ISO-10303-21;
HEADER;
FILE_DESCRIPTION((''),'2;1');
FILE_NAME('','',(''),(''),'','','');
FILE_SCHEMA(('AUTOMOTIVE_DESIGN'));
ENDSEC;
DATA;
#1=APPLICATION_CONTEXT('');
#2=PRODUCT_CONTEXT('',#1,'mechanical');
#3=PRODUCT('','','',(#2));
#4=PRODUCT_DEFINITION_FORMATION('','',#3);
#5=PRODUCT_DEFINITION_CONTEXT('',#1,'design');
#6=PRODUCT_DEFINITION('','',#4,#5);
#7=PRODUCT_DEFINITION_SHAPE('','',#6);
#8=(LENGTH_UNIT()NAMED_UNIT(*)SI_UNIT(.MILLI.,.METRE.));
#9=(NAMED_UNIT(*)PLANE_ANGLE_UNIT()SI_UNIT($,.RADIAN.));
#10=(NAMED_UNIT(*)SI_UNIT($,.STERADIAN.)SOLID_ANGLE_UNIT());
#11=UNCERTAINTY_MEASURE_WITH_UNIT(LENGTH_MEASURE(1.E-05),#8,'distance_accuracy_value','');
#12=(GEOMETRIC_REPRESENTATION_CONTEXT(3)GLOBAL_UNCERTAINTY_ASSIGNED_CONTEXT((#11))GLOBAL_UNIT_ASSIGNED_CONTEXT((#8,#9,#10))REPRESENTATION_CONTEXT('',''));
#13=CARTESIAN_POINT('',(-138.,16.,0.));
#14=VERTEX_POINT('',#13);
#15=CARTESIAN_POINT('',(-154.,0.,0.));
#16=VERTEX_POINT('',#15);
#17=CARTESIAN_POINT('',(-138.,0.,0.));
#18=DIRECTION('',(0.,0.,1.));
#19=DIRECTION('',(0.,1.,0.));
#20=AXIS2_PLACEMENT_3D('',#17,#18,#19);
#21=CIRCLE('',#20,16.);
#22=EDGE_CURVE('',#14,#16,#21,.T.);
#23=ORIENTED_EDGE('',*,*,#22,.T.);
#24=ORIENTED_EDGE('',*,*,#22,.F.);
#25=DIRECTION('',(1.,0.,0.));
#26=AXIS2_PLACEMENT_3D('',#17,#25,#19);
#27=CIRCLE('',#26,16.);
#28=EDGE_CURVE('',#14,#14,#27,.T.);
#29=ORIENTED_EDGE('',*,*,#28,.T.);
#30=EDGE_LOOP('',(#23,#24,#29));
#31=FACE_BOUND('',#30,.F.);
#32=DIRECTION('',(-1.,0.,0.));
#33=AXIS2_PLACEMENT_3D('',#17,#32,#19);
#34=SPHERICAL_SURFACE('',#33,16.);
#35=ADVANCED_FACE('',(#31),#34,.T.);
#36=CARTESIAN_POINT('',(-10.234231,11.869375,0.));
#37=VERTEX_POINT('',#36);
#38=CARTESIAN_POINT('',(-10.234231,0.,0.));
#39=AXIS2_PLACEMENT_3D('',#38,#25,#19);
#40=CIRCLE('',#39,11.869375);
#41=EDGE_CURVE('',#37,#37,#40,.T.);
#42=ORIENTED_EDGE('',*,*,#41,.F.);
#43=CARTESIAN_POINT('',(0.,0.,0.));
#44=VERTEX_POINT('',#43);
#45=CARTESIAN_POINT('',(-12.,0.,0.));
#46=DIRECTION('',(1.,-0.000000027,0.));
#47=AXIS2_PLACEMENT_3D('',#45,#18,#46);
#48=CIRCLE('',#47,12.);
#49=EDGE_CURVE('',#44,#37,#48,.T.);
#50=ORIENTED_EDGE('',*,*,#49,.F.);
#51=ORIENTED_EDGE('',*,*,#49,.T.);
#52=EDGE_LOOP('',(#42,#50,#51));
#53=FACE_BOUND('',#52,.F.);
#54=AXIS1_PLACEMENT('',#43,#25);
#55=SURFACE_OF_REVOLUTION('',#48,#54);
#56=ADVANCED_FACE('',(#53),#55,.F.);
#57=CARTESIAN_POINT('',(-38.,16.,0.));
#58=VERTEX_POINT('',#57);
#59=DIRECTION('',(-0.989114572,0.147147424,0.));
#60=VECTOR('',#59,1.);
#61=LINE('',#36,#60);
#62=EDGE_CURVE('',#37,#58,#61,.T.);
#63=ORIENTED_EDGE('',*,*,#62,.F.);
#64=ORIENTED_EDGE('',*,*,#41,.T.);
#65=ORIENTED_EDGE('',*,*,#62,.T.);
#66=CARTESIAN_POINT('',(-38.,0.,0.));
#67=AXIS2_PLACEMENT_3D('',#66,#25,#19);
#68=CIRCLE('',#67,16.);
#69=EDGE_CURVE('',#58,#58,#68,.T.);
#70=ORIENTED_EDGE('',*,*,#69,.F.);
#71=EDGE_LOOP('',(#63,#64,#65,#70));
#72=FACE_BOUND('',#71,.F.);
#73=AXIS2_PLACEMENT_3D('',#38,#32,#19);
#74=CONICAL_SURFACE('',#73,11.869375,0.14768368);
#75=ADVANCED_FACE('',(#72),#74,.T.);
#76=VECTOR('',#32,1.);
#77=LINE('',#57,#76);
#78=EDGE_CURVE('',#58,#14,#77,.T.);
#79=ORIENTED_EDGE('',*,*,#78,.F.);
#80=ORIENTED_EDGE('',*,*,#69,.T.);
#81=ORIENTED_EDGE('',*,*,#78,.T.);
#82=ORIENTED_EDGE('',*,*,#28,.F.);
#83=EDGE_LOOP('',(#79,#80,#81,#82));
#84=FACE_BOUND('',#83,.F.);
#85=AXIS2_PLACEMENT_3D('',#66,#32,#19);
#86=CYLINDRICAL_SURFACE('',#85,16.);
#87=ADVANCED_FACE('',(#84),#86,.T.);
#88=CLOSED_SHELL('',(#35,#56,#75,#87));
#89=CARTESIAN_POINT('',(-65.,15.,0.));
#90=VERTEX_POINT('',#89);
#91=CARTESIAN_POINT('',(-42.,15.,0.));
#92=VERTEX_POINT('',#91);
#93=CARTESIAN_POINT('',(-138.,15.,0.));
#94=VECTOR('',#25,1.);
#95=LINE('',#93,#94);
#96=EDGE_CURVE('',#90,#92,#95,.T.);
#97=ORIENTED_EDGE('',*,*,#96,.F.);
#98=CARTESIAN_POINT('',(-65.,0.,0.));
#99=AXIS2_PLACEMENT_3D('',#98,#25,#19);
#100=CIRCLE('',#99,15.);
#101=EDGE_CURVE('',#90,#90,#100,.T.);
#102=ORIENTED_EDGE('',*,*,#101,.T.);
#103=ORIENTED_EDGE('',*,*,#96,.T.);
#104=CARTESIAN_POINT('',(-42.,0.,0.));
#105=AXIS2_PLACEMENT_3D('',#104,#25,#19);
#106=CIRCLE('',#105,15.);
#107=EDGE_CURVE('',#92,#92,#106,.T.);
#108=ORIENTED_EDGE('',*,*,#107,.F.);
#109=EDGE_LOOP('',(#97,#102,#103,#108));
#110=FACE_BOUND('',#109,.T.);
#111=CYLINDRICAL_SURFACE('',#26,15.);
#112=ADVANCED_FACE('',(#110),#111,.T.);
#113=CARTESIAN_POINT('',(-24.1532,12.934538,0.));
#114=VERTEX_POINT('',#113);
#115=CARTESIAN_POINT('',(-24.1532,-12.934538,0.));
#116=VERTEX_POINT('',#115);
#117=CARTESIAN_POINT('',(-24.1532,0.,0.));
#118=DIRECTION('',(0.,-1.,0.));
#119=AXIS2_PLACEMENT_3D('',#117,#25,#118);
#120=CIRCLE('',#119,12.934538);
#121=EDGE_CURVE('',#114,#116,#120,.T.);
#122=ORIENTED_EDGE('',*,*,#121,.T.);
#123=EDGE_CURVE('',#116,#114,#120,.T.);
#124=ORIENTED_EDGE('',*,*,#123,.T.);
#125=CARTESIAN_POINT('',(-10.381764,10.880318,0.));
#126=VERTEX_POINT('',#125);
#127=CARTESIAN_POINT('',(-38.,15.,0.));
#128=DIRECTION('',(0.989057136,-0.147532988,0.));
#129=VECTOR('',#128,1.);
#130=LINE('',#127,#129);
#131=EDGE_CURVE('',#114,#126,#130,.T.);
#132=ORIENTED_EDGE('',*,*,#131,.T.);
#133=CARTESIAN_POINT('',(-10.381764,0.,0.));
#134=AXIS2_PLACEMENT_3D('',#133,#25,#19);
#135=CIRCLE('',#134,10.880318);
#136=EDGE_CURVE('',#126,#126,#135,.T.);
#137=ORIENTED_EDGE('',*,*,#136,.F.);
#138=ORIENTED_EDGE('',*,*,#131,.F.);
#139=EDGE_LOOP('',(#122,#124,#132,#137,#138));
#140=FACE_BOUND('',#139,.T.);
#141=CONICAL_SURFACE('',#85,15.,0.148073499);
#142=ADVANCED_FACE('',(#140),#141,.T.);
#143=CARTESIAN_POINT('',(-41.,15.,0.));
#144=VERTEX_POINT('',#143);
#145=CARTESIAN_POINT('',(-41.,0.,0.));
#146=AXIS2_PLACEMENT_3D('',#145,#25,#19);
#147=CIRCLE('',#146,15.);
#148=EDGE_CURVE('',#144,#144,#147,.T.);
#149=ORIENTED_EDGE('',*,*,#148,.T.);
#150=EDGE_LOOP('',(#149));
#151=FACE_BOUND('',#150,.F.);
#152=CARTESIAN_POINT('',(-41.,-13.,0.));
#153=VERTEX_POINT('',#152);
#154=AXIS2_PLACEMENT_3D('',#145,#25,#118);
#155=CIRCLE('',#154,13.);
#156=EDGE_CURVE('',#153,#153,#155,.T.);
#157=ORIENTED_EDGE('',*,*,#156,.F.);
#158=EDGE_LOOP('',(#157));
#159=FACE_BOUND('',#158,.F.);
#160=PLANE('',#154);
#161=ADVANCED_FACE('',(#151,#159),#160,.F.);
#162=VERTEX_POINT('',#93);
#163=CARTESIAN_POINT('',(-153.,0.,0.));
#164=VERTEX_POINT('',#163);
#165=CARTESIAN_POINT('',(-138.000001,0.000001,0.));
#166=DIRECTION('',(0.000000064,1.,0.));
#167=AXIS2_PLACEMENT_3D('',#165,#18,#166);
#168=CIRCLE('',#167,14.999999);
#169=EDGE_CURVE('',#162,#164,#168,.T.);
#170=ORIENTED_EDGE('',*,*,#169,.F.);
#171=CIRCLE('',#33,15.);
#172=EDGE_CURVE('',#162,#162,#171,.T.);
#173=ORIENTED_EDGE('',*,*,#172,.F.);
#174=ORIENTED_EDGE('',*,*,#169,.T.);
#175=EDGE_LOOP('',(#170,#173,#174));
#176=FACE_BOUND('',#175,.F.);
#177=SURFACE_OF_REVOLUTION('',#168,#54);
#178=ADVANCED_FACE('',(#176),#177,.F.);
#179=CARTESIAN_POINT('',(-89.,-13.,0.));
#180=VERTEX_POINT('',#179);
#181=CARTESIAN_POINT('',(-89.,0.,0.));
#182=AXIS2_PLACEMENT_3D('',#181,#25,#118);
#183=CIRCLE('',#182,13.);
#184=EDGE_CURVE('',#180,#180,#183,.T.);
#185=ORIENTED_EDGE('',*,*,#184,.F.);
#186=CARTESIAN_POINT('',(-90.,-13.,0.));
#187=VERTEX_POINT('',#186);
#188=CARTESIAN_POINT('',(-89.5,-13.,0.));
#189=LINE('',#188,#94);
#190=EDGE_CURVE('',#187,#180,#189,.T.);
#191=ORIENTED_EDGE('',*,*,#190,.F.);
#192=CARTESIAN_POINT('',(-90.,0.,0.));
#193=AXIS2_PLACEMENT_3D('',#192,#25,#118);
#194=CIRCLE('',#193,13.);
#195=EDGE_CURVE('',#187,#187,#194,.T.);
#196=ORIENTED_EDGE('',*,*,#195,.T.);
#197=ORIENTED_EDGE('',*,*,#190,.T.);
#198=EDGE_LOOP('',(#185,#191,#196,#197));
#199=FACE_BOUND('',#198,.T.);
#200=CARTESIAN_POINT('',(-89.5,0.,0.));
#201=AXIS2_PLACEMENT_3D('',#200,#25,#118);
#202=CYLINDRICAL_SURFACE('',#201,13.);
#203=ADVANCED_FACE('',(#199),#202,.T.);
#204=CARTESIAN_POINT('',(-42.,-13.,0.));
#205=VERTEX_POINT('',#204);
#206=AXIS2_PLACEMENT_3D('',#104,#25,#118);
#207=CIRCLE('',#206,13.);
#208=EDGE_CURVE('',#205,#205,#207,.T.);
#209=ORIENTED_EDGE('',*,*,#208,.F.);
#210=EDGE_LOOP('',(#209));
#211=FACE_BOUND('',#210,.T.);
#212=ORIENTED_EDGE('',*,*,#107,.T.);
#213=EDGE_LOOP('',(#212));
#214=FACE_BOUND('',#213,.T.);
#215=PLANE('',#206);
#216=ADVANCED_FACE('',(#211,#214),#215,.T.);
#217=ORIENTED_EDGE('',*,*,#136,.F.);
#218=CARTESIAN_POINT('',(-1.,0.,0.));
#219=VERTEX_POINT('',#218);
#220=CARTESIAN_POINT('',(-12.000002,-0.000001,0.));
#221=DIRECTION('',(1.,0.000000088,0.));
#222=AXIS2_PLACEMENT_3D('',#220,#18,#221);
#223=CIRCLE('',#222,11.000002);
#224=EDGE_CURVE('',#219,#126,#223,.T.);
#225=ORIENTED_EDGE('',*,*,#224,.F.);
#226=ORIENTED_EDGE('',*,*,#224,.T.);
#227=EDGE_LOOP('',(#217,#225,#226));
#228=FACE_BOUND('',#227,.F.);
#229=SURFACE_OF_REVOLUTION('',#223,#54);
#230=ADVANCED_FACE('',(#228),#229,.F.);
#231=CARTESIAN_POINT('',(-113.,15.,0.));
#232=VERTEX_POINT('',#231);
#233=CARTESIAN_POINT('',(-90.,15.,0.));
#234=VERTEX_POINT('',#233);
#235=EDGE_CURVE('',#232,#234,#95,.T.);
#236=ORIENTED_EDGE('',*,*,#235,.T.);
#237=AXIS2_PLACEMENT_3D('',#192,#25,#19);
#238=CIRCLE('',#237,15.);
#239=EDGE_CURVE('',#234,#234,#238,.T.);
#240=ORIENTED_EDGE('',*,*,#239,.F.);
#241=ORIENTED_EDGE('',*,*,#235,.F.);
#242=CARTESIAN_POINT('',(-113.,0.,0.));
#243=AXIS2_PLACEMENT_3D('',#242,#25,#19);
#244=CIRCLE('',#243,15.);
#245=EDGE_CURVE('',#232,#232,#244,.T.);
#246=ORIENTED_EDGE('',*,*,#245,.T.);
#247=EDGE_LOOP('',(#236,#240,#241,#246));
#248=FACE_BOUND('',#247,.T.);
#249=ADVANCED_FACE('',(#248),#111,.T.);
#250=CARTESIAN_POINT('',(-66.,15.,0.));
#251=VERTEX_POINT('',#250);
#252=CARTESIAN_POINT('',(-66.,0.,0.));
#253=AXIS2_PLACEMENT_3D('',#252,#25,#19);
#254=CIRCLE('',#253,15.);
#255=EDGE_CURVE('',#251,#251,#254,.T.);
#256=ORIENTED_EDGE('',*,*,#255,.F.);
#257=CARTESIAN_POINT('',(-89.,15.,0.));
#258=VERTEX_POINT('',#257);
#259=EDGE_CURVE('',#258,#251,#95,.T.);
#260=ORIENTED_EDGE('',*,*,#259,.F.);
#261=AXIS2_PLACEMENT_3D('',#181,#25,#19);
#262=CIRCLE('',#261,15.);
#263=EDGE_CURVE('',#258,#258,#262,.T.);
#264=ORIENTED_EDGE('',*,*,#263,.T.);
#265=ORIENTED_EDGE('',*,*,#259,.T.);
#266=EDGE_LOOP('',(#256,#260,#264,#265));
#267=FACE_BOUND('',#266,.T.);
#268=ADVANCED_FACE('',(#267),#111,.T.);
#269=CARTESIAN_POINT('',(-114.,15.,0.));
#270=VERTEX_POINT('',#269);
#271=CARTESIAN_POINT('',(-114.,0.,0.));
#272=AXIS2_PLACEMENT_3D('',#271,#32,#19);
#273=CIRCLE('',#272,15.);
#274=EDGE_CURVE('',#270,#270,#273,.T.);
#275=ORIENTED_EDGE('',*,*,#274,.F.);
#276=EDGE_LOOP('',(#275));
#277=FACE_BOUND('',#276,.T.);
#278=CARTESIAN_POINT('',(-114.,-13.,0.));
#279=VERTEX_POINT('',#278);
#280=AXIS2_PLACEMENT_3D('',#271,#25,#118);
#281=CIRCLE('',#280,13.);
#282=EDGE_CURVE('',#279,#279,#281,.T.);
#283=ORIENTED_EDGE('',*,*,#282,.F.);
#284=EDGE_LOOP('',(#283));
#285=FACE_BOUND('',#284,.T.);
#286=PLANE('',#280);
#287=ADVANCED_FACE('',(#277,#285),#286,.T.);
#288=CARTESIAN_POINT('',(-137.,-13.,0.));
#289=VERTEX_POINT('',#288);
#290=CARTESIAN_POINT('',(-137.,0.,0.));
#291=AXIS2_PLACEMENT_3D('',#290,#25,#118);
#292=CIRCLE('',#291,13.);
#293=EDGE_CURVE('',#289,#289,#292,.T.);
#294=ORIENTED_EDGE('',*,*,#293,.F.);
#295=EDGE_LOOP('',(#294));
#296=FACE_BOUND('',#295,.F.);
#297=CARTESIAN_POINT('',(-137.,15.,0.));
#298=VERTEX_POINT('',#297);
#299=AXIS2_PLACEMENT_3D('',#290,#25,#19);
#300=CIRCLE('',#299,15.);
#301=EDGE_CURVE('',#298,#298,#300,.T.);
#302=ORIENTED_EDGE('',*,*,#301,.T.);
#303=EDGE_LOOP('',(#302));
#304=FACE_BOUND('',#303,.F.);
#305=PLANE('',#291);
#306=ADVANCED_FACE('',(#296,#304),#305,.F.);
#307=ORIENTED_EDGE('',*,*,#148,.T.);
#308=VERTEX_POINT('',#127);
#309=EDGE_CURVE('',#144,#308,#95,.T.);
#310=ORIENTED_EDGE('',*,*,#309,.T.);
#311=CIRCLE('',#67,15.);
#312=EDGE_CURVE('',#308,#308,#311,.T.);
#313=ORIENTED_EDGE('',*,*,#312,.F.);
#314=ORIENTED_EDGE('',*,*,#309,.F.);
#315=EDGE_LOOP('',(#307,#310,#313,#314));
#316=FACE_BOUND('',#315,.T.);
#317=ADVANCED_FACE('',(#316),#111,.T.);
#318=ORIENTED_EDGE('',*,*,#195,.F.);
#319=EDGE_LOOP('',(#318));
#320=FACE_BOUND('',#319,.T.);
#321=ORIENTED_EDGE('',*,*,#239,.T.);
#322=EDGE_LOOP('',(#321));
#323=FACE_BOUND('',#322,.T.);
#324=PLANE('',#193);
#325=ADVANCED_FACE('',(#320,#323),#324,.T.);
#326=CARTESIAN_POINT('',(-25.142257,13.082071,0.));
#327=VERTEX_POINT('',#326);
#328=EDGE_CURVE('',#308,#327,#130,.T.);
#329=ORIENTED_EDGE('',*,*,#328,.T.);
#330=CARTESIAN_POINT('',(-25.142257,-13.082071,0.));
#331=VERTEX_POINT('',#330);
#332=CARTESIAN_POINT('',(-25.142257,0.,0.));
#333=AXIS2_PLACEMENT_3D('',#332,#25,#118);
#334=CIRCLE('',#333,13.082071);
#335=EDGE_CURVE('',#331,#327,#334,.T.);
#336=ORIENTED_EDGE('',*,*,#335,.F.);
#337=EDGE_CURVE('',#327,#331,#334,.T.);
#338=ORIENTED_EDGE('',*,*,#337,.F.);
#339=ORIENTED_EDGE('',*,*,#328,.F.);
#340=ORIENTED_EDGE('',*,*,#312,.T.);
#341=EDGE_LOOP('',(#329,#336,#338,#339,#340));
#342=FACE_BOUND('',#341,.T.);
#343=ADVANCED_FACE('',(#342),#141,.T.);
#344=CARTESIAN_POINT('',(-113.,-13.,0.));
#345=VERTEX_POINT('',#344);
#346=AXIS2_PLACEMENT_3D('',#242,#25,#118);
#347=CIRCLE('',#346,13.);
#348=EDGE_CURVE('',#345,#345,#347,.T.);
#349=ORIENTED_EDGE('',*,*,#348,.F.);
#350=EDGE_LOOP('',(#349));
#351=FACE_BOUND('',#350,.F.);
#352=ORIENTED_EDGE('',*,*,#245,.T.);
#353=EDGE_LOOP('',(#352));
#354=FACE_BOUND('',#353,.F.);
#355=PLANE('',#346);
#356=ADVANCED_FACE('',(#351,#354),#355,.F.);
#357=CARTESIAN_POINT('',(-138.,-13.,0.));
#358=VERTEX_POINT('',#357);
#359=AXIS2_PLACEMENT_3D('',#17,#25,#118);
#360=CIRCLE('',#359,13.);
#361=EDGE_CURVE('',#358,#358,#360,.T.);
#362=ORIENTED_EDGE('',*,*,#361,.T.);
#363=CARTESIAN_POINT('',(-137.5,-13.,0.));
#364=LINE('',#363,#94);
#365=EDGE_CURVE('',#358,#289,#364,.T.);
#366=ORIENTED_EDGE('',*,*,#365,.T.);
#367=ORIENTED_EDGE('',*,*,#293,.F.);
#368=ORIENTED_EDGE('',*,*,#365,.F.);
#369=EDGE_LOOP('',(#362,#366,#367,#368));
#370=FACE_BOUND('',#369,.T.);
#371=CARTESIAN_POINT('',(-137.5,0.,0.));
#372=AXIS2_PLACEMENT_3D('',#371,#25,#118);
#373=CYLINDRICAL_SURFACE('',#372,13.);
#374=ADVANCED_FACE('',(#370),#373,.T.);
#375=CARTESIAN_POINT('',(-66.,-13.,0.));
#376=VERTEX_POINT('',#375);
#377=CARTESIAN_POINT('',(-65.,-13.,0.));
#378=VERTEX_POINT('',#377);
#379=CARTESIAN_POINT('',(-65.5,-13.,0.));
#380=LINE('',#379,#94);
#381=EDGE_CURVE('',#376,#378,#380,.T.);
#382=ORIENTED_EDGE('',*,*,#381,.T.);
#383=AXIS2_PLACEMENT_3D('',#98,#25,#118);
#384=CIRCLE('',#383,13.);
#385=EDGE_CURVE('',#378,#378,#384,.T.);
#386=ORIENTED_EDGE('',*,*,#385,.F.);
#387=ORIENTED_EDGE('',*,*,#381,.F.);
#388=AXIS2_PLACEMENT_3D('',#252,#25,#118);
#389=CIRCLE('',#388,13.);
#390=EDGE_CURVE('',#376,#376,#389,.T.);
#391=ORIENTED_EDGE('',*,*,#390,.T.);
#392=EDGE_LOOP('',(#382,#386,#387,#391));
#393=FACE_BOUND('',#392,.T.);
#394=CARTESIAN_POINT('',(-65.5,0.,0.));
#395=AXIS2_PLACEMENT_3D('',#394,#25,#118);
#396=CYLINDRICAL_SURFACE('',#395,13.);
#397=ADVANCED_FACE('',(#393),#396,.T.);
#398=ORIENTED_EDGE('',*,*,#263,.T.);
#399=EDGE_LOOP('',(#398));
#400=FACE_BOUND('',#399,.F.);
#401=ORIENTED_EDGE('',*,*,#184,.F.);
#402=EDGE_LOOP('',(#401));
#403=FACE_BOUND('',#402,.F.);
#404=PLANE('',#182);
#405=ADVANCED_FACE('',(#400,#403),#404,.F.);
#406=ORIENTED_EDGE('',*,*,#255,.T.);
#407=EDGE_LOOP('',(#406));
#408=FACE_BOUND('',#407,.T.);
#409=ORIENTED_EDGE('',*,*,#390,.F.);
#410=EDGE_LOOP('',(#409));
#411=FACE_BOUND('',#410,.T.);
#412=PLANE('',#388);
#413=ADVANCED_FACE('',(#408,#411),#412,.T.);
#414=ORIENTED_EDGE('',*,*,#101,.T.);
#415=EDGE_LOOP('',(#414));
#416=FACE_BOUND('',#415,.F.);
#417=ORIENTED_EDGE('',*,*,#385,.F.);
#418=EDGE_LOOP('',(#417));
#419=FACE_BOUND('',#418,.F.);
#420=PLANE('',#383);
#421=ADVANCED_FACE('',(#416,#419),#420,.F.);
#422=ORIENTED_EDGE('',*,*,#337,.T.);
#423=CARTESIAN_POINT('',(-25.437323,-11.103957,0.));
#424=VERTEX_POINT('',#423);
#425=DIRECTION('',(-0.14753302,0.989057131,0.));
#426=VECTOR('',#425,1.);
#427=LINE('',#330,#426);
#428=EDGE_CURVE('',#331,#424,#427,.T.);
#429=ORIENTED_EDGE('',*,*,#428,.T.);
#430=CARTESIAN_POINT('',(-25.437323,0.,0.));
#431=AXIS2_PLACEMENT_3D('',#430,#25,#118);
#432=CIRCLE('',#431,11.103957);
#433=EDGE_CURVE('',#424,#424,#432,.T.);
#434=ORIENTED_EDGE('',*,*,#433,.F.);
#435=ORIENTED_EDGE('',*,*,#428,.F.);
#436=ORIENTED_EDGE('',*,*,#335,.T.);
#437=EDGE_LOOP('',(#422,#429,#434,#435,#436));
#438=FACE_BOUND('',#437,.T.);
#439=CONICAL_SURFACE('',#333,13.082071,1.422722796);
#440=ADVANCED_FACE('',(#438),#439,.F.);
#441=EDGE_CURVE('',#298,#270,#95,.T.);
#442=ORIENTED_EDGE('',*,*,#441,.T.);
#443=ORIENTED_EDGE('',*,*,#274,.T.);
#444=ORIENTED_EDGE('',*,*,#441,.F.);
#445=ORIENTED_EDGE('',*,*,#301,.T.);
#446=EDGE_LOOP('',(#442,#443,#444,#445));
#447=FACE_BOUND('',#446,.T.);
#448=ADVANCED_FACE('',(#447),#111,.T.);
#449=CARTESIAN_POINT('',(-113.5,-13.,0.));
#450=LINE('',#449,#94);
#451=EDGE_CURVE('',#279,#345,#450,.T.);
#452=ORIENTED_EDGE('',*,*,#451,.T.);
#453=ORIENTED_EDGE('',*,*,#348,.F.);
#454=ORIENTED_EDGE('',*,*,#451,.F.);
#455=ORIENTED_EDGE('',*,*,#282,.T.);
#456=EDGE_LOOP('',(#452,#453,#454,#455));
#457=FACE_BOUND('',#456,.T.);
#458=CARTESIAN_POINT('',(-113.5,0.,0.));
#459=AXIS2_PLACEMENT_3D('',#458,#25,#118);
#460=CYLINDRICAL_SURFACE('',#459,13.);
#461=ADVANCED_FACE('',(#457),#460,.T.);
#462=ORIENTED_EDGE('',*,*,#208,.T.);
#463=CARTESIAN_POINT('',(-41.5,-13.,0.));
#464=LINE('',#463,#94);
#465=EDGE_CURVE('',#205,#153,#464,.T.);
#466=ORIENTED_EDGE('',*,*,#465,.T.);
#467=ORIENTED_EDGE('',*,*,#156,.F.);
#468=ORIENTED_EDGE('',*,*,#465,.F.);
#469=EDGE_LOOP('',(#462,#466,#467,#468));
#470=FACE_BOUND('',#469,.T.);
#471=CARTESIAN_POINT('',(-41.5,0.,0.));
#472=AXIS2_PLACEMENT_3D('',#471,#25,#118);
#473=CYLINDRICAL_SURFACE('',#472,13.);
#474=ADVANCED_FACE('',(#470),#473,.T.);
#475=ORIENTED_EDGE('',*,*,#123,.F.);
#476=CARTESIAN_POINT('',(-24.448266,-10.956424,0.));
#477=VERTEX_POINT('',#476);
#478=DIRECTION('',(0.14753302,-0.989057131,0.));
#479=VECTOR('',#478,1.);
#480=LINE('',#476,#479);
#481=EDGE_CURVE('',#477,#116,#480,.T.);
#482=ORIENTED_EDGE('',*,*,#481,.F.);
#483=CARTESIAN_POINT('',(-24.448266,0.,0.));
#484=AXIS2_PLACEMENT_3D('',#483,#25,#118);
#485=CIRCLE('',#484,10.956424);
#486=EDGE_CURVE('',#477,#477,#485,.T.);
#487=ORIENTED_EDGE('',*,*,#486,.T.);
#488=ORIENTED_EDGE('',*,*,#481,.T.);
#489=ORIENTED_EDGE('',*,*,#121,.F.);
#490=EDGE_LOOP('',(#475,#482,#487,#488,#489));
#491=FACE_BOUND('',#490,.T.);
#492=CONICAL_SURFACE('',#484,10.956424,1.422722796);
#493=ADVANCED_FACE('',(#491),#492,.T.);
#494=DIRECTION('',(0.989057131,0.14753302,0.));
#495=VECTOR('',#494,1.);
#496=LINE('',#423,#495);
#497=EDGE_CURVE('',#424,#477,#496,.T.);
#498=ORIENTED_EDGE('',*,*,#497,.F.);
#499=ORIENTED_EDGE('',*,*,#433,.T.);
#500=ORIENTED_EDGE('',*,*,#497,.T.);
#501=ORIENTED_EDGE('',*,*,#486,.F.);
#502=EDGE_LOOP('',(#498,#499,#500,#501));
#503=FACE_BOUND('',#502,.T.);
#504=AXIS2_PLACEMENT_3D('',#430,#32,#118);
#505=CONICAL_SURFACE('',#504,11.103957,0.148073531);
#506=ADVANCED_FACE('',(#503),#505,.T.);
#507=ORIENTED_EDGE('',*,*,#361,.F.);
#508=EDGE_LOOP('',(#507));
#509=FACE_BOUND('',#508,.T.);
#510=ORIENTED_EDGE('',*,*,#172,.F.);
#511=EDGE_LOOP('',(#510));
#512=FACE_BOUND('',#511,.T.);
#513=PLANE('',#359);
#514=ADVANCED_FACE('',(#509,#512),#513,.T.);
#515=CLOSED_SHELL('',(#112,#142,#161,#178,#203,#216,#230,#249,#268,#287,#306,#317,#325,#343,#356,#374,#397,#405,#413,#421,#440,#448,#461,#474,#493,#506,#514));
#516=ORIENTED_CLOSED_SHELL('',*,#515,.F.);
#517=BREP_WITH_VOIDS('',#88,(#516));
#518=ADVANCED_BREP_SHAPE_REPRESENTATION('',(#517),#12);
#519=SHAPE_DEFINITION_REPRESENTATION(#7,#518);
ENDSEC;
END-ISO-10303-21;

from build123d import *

# Parameters (mm, degrees)
SKETCH001_W         = 1
SKETCH001_H         = 2
LINEARPATTERN_COUNT = 5
LINEARPATTERN_PITCH = 24


with BuildPart() as part:
    # Sketch → Revolution (revolve)
    with BuildSketch(Plane.XY):
        with BuildLine():
            ThreePointArc((0, 0), (-2.911842, 7.836159), (-10.234231, 11.869375))
            Line((-10.234231, 11.869375), (-38, 16))
            Line((-38, 16), (-138, 16))
            ThreePointArc((-138, 16), (-149.313709, 11.313708), (-154, 0))
            Line((-153, 0), (-154, 0))
            ThreePointArc((-138, 15), (-148.606602, 10.606602), (-153, 0))
            Line((-138, 15), (-38, 15))
            Line((-38, 15), (-10.381764, 10.880318))
            ThreePointArc((-1, 0), (-3.669316, 7.183293), (-10.381764, 10.880318))
            Line((-1, 0), (0, 0))
        make_face()
    revolve(axis=Axis((0, 0, 0), (1, 0, 0)))

    # Sketch001 (on DatumPlane) → Revolution001 (revolve)
    with BuildSketch(Plane.XY):
        with Locations((-137.5, -14)):
            Rectangle(SKETCH001_W, SKETCH001_H)
    revolution001 = revolve(axis=Axis((0, 0, 0), (1, 0, 0)))

    # LinearPattern: Revolution001 ×5
    with Locations(*[(i * LINEARPATTERN_PITCH, 0, 0) for i in range(1, LINEARPATTERN_COUNT)]):
        add(revolution001)

    # Sketch002 (on DatumPlane) → Revolution002 (revolve)
    with BuildSketch(Plane.XY):
        Polygon((-24.1532, -12.934538), (-25.142257, -13.082071), (-25.437323, -11.103957), (-24.448266, -10.956424), align=None)
    revolve(axis=Axis((0, 0, 0), (1, 0, 0)))


solid = part.part
